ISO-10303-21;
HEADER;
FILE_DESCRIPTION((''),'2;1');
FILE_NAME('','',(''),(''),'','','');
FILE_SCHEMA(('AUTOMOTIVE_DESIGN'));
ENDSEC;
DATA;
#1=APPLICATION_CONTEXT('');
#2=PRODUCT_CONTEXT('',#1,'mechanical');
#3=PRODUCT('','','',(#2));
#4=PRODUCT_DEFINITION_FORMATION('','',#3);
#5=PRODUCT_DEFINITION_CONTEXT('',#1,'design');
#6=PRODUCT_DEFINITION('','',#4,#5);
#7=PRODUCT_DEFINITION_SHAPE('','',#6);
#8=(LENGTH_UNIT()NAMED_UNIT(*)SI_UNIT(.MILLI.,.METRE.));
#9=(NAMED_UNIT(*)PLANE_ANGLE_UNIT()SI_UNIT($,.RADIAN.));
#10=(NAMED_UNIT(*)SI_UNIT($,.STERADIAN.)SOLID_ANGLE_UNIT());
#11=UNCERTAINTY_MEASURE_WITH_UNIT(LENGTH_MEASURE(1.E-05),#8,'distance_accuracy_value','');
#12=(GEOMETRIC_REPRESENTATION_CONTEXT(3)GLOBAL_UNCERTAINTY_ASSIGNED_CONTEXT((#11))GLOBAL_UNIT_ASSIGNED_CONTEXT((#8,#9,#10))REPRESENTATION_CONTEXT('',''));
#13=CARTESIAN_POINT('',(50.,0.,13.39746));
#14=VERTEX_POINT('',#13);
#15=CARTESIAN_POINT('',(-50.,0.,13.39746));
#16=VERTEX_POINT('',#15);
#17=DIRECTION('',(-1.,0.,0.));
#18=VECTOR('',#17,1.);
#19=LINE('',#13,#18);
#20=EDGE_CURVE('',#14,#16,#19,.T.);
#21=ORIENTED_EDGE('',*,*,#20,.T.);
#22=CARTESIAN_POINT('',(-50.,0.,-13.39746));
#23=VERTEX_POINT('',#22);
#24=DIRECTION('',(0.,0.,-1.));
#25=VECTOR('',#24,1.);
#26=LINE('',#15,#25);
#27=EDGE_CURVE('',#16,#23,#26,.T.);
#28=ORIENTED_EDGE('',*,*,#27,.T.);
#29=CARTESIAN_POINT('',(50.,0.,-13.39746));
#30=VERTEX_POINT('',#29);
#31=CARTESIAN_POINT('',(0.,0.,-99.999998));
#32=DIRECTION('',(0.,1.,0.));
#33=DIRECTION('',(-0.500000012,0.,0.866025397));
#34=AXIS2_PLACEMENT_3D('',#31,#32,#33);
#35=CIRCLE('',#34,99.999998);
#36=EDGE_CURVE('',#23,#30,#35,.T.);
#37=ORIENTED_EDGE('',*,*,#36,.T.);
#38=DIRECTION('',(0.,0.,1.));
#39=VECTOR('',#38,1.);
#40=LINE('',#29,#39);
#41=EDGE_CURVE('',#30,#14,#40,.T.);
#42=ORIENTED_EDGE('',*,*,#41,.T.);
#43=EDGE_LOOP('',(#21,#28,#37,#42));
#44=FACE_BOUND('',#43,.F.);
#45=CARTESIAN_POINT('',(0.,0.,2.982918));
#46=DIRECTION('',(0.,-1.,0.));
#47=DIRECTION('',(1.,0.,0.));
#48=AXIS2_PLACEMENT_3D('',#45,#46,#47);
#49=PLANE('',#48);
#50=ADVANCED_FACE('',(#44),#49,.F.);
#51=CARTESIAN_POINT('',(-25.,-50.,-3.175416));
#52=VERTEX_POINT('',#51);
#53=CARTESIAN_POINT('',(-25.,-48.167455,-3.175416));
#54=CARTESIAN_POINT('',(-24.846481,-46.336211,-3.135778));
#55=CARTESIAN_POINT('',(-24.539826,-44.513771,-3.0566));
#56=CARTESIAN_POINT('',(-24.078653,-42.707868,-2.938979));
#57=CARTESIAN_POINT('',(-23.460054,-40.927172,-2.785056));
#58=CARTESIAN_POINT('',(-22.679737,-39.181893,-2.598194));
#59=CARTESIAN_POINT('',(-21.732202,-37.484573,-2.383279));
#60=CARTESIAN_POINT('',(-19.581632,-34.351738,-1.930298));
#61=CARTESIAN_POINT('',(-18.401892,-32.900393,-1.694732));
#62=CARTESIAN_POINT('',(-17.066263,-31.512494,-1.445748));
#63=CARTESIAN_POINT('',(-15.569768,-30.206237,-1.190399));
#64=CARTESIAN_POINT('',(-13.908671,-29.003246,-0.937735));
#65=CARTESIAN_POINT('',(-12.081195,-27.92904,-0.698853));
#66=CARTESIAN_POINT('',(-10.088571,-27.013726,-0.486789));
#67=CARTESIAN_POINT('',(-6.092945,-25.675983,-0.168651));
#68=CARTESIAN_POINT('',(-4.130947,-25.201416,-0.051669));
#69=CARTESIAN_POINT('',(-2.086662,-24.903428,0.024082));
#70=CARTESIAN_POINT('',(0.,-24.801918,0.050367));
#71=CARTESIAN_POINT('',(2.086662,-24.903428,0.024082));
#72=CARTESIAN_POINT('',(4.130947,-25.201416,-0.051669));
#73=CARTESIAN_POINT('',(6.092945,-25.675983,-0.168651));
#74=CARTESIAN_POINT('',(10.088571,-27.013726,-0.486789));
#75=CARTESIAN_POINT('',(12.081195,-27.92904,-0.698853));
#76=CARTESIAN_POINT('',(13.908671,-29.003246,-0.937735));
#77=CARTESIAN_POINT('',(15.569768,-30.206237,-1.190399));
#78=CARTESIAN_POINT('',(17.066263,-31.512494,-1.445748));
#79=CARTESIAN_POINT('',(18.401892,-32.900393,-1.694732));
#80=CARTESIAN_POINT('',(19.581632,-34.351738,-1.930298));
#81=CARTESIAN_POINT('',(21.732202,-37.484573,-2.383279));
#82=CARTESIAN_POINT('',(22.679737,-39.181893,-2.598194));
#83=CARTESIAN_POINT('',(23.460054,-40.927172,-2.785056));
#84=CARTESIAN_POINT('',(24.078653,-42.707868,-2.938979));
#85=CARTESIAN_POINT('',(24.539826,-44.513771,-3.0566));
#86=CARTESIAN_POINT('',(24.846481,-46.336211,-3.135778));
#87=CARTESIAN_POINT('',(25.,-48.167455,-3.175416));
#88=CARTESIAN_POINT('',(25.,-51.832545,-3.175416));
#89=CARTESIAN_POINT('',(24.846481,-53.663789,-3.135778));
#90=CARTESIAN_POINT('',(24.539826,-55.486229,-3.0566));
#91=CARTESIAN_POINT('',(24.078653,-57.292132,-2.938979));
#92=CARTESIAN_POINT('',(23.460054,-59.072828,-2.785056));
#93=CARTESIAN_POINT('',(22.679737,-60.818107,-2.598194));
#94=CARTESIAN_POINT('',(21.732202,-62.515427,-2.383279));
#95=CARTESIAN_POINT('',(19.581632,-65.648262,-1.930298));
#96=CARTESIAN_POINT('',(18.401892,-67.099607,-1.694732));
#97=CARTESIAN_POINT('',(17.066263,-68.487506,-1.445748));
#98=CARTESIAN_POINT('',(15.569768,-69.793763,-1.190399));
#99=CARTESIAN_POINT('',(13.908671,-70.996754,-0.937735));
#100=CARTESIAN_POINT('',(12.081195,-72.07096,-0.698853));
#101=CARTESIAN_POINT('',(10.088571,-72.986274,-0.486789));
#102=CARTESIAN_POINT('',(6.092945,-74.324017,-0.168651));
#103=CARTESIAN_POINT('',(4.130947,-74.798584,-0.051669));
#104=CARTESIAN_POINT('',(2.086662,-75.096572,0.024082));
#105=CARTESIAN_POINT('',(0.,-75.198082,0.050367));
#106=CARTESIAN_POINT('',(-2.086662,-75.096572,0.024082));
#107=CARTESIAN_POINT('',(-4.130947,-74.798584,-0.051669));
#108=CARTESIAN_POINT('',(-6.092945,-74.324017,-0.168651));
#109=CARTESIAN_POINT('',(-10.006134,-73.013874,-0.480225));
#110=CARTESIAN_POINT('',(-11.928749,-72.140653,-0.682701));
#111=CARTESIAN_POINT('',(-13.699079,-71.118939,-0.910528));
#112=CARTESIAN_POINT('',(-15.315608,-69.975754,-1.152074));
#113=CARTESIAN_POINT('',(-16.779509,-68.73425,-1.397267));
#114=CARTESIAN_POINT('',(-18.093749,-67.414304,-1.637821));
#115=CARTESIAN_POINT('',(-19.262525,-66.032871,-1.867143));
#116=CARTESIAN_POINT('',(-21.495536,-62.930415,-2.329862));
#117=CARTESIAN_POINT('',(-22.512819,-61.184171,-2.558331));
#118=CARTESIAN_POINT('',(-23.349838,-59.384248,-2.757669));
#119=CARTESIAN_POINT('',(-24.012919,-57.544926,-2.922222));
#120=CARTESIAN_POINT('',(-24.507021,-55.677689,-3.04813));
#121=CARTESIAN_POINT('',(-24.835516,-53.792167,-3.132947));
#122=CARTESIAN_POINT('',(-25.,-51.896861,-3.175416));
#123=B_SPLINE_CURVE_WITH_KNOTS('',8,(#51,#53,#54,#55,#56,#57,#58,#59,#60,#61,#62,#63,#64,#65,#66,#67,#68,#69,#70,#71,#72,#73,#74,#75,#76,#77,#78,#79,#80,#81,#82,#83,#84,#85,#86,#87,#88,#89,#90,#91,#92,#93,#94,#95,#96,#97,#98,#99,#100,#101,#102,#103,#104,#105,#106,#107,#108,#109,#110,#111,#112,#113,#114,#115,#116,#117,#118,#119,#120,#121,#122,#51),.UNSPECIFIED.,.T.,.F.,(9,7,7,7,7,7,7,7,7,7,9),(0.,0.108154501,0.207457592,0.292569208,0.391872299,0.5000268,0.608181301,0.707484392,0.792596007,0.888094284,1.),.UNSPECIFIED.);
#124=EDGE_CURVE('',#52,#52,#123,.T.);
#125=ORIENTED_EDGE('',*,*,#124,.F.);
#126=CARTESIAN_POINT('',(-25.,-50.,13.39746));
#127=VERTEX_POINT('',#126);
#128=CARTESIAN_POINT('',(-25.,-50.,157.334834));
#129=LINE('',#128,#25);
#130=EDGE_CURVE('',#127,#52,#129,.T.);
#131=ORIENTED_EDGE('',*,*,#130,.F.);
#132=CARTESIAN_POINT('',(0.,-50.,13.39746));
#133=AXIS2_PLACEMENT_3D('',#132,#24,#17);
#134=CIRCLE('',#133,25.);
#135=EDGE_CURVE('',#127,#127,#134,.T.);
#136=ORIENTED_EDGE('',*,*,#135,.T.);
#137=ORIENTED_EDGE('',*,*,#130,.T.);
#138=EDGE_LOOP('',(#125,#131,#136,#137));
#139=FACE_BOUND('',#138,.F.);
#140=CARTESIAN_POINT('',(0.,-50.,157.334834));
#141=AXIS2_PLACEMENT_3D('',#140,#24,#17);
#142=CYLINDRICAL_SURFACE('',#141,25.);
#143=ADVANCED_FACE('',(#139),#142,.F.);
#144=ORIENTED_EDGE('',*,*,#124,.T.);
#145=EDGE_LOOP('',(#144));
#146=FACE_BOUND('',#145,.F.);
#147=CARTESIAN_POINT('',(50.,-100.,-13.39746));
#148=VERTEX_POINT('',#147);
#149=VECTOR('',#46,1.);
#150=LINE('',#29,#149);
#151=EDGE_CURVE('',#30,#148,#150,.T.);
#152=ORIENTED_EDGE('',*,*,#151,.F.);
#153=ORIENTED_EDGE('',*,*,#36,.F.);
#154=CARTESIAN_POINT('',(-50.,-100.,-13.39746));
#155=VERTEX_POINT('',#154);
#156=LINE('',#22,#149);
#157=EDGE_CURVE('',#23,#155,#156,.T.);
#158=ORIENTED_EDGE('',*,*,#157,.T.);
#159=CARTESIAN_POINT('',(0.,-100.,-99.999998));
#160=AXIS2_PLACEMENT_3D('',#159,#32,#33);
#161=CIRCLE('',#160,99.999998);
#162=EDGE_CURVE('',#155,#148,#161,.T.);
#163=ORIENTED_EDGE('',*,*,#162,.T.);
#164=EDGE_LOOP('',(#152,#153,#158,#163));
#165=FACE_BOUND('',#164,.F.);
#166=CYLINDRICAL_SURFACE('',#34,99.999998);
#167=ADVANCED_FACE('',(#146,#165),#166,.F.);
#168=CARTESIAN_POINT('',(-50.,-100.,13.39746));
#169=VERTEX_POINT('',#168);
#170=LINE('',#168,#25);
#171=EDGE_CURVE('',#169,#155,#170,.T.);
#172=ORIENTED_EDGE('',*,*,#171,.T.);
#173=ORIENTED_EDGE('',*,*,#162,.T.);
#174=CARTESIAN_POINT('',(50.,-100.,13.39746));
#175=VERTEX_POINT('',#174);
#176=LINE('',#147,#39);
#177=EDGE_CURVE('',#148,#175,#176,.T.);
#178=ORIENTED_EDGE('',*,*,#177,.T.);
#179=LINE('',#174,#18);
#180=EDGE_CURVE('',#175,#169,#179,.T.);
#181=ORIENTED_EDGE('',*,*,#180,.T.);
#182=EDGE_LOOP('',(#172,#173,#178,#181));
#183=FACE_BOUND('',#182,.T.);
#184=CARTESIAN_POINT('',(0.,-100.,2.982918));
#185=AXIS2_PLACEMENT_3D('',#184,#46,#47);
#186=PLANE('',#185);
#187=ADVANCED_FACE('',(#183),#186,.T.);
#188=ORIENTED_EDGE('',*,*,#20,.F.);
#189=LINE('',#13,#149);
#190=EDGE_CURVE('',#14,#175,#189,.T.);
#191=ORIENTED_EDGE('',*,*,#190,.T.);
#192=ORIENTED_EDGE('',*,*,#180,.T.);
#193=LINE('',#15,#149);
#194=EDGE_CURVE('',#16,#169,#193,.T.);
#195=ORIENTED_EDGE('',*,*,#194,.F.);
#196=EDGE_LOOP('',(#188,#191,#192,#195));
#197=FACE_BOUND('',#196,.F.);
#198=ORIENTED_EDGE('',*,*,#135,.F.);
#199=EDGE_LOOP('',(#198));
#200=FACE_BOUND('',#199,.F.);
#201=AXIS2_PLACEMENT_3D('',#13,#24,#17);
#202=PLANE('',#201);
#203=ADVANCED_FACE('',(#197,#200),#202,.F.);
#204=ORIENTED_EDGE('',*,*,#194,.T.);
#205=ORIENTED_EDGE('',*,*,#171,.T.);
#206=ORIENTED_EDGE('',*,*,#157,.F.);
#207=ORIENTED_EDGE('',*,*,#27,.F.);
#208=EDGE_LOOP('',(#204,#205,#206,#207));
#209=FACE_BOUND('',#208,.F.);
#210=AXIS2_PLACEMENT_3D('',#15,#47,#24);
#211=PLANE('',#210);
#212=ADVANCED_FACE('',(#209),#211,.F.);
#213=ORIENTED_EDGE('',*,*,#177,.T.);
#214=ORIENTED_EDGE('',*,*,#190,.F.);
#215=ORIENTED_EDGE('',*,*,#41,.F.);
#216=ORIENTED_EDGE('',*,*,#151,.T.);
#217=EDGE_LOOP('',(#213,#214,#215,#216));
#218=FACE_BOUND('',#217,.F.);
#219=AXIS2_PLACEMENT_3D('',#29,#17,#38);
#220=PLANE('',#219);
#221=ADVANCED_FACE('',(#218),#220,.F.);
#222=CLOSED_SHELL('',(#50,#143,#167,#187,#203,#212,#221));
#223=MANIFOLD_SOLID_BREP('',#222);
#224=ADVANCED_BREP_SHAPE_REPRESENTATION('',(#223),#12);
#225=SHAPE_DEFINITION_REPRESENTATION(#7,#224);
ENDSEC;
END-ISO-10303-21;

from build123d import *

# Parameters (mm, degrees)
F1_DEPTH = 100
F3_D     = 50


with BuildPart() as f1:
    # F0 (on Front) → F1 (new body)
    with BuildSketch(Plane.XZ):
        with BuildLine():
            ThreePointArc((-50, -13.39746), (0, 0), (50, -13.39746))
            Line((50, -13.39746), (50, 13.39746))
            Line((50, 13.39746), (-50, 13.39746))
            Line((-50, 13.39746), (-50, -13.39746))
        make_face()
    extrude(amount=F1_DEPTH)

    # F3 (through all)
    with Locations(Plane.XY.offset(13.39746)):
        with Locations((0, -50)):
            Hole(F3_D / 2)


solid = f1.part
